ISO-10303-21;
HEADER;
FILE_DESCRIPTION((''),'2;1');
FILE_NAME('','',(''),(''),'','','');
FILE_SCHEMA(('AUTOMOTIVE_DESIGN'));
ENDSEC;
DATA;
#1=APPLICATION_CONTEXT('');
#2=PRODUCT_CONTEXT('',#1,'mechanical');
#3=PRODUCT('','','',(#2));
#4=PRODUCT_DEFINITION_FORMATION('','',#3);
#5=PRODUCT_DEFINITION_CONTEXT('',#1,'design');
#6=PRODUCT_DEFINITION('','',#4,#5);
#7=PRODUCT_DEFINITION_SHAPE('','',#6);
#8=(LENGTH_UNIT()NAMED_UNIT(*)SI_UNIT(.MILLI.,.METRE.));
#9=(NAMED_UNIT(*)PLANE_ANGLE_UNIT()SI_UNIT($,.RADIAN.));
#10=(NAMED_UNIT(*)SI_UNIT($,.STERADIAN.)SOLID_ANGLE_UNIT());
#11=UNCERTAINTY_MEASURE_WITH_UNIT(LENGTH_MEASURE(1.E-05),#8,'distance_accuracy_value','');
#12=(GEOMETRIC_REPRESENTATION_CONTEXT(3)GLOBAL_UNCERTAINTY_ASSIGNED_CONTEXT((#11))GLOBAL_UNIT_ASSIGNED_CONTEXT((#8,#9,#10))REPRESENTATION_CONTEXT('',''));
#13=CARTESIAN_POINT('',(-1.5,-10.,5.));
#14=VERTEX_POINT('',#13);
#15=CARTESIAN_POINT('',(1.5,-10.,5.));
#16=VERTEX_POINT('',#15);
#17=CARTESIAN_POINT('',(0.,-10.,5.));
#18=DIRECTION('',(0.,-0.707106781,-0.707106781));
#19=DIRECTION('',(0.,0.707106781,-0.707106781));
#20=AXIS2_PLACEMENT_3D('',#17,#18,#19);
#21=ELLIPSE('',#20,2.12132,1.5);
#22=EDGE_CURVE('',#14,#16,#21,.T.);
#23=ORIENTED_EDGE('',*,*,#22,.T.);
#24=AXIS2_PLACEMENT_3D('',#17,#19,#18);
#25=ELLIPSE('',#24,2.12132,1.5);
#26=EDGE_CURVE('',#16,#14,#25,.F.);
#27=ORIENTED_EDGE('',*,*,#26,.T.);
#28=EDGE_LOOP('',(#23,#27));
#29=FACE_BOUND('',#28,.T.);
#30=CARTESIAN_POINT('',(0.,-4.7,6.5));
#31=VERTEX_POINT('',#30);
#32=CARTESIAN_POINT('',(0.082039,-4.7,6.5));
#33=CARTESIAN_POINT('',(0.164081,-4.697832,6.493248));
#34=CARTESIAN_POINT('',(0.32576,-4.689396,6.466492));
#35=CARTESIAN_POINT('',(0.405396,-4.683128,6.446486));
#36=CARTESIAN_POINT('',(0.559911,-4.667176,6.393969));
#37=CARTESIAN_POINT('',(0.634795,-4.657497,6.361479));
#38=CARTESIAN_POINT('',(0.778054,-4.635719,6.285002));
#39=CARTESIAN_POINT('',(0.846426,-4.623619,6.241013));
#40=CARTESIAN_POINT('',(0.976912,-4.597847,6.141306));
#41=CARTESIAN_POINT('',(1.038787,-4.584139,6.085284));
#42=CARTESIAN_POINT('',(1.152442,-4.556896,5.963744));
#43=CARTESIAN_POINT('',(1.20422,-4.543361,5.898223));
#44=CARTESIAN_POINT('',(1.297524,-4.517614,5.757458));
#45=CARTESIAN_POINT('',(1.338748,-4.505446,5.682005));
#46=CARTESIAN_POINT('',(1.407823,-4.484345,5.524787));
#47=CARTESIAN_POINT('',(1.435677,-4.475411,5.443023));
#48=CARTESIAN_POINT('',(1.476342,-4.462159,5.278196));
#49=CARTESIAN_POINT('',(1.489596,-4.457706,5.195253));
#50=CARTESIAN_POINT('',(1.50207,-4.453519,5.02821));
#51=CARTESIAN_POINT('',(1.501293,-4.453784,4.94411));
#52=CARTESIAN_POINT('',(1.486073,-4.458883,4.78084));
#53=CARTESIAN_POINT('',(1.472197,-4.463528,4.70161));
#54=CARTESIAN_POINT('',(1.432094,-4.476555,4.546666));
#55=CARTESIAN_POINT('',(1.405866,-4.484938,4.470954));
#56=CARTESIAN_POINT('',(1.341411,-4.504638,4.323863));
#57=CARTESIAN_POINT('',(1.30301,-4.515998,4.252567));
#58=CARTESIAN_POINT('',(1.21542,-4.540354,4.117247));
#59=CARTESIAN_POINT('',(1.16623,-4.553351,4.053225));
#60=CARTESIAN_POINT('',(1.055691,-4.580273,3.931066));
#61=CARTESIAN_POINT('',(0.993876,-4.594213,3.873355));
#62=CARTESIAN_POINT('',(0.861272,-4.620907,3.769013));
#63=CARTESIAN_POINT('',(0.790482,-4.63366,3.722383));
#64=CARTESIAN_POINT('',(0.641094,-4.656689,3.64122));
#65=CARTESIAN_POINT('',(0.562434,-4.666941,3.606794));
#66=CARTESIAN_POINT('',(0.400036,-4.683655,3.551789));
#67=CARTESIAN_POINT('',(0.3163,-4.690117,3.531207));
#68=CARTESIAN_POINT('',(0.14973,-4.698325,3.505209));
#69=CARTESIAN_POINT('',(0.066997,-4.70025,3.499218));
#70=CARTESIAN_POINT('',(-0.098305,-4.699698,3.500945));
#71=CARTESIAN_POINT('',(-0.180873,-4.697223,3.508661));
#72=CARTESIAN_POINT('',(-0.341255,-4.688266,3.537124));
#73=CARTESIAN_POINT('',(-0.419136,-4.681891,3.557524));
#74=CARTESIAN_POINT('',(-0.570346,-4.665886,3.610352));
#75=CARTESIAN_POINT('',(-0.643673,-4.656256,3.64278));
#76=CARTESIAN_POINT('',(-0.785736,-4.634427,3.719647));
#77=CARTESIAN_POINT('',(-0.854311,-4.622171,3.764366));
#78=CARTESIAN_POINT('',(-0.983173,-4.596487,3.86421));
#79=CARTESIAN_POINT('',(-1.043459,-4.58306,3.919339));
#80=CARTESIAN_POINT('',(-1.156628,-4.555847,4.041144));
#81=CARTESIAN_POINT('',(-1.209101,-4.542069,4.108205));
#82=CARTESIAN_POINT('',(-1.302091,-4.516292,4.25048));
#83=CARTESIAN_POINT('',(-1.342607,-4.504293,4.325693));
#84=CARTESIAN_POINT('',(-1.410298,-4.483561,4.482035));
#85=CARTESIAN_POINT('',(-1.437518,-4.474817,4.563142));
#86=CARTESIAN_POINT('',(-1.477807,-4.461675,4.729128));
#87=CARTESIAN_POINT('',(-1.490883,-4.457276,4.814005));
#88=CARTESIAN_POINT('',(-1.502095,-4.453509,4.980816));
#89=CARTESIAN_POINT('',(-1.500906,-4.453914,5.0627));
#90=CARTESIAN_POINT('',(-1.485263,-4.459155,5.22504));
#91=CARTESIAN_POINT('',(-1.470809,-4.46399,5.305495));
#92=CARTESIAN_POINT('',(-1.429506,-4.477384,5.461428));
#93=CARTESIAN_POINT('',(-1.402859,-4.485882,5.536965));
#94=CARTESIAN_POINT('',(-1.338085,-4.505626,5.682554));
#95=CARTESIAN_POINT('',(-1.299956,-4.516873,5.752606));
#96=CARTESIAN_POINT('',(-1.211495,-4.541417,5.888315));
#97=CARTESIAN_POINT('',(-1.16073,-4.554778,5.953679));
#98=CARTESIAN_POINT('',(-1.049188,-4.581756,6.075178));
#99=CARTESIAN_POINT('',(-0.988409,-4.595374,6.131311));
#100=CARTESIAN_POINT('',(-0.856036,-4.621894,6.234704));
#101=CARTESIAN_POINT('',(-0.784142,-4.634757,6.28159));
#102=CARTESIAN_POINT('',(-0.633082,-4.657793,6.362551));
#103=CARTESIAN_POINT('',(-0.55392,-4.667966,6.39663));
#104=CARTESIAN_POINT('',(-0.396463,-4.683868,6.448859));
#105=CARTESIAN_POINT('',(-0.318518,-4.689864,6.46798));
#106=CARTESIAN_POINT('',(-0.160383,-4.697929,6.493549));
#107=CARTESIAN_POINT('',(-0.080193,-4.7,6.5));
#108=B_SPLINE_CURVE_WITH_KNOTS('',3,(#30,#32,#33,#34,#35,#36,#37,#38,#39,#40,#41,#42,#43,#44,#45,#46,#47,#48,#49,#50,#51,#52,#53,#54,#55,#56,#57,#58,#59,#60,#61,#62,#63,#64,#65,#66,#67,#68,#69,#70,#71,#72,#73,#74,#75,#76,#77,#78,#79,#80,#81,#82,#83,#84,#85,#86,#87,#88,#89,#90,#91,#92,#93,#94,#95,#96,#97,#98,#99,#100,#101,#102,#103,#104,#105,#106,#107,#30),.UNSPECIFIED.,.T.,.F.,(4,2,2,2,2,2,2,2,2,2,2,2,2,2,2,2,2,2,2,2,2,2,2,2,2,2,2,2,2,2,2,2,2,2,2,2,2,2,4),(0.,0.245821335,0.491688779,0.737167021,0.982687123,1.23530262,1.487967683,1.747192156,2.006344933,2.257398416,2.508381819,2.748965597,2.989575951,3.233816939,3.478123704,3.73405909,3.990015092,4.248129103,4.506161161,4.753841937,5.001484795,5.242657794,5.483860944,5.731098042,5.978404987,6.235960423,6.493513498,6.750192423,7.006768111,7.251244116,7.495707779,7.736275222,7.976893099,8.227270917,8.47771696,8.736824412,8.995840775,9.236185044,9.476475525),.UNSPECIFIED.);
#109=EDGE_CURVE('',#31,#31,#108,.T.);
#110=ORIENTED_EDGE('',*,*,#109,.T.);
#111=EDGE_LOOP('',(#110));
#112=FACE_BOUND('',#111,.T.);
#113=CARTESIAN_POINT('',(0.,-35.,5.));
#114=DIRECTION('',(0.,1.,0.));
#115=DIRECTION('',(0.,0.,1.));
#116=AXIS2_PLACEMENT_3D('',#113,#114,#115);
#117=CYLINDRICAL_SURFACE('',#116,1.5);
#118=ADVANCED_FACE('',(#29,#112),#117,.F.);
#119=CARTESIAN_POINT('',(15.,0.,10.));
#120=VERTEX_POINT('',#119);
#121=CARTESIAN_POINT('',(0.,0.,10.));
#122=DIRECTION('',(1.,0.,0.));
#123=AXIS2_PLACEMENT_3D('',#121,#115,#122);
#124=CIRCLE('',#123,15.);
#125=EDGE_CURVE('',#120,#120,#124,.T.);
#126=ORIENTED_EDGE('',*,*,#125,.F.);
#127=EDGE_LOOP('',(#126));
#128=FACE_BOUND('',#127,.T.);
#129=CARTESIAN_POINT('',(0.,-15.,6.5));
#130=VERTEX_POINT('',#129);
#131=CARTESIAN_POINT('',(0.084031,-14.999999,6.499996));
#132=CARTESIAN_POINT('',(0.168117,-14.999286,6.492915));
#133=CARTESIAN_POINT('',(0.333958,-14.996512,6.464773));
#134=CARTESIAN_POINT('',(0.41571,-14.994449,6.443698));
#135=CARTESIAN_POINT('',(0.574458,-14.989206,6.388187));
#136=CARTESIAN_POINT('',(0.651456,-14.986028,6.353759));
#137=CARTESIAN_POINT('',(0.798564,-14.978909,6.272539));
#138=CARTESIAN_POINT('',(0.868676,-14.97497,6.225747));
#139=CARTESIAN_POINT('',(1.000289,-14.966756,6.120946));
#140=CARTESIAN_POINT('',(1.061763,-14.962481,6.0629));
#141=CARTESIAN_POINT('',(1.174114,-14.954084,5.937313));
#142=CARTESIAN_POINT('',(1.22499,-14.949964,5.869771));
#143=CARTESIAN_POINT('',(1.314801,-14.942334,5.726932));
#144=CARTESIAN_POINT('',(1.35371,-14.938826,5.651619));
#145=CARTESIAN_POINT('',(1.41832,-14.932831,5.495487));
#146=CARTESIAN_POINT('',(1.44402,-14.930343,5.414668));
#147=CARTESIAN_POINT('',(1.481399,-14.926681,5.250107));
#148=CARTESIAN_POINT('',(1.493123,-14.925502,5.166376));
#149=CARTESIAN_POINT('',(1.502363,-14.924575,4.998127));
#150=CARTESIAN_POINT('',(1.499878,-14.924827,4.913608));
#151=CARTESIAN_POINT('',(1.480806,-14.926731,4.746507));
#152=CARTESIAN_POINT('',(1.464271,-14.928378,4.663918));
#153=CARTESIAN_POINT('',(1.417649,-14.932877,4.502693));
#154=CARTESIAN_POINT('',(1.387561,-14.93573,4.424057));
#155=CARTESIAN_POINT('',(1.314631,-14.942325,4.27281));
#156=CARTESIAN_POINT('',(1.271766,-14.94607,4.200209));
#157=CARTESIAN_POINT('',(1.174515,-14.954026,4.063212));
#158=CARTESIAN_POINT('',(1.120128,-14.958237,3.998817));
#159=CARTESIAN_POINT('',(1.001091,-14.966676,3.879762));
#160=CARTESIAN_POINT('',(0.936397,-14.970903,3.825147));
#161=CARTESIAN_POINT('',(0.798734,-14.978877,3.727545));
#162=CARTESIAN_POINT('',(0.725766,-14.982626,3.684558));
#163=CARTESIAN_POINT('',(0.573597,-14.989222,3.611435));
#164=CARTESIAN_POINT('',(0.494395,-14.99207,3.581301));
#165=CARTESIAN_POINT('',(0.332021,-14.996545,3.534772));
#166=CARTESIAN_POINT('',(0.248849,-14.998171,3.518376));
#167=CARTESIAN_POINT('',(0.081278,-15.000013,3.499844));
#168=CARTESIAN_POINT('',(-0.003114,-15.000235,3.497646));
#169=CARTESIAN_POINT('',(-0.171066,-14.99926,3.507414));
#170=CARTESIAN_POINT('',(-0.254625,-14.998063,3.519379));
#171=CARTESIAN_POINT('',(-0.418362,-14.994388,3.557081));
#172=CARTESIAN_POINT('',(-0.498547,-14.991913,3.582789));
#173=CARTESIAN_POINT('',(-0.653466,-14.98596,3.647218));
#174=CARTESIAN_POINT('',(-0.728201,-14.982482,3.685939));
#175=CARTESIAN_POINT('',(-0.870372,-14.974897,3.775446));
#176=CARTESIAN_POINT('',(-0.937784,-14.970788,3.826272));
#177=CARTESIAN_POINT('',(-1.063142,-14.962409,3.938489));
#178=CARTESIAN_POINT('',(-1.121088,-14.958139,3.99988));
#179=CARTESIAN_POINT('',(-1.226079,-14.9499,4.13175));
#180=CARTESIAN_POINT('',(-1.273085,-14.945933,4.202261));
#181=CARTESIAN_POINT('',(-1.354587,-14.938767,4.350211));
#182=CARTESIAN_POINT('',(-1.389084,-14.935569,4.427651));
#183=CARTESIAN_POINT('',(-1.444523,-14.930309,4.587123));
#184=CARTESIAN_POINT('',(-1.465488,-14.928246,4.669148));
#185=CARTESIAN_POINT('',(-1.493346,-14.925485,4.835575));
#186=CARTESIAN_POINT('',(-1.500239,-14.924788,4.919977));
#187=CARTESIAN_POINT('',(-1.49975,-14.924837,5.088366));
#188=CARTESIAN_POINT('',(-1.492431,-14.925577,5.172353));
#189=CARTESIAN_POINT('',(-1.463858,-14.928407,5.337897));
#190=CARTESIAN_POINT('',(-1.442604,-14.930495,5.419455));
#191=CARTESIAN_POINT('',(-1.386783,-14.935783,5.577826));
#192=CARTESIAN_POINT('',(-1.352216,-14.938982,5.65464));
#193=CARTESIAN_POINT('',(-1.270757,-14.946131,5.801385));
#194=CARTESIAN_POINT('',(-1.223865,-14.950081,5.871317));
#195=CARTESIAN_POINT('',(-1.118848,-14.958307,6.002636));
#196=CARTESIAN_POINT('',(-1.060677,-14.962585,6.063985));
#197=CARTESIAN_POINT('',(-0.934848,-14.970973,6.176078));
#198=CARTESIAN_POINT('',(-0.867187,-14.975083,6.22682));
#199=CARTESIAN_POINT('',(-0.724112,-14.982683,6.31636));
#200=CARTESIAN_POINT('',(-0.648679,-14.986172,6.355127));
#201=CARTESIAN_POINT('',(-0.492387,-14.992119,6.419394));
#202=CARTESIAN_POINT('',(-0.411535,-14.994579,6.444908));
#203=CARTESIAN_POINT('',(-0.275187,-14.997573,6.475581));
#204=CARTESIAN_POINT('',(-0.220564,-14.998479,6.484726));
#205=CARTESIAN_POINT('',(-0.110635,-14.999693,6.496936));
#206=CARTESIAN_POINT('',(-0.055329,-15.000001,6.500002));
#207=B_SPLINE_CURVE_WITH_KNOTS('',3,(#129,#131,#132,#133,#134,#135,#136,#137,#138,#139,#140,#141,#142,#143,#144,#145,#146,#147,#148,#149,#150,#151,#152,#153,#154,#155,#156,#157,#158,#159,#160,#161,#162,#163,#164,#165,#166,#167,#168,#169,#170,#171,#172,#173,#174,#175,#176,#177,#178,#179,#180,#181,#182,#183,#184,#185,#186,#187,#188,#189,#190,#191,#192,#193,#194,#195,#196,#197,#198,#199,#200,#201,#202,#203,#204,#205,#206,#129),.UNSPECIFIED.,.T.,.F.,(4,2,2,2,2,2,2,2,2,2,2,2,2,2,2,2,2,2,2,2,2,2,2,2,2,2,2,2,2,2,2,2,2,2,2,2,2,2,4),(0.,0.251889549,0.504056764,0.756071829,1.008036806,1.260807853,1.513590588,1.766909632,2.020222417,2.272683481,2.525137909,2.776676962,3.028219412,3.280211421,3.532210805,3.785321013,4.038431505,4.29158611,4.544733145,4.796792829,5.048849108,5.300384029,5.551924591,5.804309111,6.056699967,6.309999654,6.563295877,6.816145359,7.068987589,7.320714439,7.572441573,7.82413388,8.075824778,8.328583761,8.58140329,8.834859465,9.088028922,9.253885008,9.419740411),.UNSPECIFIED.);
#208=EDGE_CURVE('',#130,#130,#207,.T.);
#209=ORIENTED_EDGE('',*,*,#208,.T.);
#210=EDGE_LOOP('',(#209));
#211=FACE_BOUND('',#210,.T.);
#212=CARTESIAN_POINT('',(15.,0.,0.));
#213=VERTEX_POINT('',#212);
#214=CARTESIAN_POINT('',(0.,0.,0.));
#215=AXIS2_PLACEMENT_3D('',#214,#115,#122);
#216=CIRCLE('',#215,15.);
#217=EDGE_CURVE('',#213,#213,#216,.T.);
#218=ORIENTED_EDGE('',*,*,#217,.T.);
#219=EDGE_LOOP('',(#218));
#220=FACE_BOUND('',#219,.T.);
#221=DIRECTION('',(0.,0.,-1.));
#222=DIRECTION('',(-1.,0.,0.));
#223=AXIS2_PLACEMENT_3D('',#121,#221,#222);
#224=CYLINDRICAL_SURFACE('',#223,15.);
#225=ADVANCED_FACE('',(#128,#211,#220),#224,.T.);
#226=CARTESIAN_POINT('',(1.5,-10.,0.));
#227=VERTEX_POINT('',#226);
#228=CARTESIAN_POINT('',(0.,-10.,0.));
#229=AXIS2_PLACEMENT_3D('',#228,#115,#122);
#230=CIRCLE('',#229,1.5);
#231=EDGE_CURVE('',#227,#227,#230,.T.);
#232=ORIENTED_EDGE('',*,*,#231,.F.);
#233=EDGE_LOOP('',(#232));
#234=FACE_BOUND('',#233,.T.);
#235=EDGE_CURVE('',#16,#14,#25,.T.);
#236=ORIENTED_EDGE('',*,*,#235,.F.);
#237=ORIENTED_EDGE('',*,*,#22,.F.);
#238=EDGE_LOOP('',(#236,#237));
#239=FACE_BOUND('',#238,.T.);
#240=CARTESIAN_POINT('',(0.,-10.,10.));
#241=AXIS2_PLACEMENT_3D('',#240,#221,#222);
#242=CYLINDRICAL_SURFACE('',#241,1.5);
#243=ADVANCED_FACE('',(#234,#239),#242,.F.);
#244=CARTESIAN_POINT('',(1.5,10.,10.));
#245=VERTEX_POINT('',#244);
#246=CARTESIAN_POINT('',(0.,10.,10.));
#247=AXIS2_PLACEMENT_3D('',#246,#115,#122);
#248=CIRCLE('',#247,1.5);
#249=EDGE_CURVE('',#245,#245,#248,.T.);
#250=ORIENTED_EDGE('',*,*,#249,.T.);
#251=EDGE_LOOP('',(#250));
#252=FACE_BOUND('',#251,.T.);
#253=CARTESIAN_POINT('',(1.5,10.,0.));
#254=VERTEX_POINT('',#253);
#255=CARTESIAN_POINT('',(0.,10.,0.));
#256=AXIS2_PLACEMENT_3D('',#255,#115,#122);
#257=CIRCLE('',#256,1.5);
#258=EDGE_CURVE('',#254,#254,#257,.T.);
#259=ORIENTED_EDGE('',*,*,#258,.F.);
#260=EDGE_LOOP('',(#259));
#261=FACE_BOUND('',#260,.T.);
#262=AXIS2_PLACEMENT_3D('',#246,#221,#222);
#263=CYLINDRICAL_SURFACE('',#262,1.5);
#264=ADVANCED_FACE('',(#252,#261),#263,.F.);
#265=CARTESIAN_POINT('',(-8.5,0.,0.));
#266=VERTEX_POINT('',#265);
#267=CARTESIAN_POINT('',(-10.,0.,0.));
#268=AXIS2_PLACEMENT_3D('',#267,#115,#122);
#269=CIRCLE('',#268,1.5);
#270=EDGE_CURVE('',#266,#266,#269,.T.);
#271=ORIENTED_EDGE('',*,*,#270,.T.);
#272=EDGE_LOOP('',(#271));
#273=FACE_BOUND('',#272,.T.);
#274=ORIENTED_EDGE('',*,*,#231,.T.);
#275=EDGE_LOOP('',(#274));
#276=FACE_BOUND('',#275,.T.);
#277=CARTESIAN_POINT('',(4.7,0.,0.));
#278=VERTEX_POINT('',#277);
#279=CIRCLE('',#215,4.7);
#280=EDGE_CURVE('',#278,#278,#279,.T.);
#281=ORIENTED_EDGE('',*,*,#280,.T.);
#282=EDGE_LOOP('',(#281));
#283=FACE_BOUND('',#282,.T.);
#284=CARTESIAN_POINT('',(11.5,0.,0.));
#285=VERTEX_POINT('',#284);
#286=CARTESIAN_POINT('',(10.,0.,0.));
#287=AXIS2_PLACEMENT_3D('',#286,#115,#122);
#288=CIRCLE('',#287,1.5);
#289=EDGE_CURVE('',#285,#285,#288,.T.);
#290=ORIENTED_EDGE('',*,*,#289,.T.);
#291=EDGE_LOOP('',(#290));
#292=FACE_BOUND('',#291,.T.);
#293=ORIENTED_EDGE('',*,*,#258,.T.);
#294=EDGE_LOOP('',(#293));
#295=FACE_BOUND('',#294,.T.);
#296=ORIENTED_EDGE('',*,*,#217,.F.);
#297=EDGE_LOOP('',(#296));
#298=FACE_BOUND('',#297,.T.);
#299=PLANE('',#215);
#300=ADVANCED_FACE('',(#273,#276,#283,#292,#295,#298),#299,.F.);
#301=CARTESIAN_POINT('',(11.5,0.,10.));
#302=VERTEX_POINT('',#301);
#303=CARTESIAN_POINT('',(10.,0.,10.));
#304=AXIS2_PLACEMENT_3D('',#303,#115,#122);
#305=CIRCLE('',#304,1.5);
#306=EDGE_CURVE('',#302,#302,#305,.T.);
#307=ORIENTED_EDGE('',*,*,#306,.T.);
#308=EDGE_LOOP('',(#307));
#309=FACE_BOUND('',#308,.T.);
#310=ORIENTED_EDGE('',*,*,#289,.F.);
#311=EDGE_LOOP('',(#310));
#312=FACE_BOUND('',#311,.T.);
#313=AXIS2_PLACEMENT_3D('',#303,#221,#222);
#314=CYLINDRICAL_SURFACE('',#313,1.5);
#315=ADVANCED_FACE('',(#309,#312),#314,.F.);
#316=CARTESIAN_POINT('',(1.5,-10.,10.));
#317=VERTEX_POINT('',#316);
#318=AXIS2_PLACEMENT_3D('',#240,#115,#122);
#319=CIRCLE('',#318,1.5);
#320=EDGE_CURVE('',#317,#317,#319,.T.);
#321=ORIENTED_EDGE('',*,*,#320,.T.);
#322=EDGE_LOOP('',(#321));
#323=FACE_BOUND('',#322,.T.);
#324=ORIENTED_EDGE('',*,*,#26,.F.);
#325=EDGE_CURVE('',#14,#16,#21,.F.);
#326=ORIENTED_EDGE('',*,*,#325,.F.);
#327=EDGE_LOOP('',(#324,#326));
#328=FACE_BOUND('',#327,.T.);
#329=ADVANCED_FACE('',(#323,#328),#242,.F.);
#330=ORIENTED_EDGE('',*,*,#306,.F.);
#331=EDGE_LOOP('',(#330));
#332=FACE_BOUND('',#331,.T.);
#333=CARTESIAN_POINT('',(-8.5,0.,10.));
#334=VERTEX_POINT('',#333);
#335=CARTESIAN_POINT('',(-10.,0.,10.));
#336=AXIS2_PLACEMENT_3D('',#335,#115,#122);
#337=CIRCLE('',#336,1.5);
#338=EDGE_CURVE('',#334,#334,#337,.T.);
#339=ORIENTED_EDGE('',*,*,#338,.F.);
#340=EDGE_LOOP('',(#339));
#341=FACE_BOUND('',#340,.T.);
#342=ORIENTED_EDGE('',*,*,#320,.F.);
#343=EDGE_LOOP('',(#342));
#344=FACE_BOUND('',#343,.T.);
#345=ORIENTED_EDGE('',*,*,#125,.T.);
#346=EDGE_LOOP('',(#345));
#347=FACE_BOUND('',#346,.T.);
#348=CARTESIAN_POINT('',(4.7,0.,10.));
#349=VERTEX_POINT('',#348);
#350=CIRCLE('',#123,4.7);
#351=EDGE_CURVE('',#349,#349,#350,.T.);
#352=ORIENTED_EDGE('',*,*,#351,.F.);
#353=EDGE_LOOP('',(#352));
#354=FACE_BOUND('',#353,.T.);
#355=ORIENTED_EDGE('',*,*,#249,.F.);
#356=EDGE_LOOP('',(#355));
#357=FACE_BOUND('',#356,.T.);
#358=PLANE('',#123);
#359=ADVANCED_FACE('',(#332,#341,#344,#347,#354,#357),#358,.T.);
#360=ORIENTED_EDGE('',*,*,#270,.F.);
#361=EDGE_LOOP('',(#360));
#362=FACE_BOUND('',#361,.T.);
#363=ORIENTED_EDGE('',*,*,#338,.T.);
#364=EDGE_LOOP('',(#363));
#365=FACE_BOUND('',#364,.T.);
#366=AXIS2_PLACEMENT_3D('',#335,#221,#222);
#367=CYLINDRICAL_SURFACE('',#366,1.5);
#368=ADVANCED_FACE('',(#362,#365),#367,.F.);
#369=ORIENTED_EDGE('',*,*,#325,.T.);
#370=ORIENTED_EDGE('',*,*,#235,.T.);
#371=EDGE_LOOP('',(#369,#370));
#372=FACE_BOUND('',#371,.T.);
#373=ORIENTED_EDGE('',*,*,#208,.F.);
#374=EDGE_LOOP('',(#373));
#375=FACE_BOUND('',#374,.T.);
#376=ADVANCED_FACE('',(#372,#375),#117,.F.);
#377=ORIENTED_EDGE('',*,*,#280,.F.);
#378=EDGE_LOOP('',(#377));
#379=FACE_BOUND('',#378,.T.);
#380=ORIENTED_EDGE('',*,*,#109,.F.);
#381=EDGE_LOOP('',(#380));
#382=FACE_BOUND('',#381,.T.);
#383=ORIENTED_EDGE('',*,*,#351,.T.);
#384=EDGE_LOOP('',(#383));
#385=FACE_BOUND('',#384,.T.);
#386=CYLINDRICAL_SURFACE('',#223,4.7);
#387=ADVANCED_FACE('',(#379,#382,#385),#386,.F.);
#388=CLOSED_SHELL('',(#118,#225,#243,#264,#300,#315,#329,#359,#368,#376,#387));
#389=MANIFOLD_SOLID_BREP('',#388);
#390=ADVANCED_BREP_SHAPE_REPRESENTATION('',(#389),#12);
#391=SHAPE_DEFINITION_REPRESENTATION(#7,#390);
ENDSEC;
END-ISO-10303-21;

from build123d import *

# Parameters (mm, degrees)
SKETCH1_R           = 15
SKETCH1_R_2         = 1.5
SKETCH1_R_3         = 4.7
BOSS_EXTRUDE2_DEPTH = 10
SKETCH2_R           = 1.5
CUT_EXTRUDE1_DEPTH  = 35


with BuildPart() as part:
    # Sketch1 → Boss-Extrude2 (new body)
    with BuildSketch(Plane.XY):
        Circle(SKETCH1_R)
        with Locations((0, 10)):
            Circle(SKETCH1_R_2, mode=Mode.SUBTRACT)
        Circle(SKETCH1_R_3, mode=Mode.SUBTRACT)
        with Locations((10, 0)):
            Circle(SKETCH1_R_2, mode=Mode.SUBTRACT)
        with Locations((0, -10)):
            Circle(SKETCH1_R_2, mode=Mode.SUBTRACT)
        with Locations((-10, 0)):
            Circle(SKETCH1_R_2, mode=Mode.SUBTRACT)
    extrude(amount=BOSS_EXTRUDE2_DEPTH)

    # Sketch2 → Cut-Extrude1 (cut)
    with BuildSketch(Plane(origin=(0, 0, 0), x_dir=(1, 0, 0), z_dir=(0, 1, 0))):
        with Locations(Location((0, -5, 0), (0, 0, 270))):
            Circle(SKETCH2_R)
    extrude(amount=-CUT_EXTRUDE1_DEPTH, mode=Mode.SUBTRACT)


solid = part.part
